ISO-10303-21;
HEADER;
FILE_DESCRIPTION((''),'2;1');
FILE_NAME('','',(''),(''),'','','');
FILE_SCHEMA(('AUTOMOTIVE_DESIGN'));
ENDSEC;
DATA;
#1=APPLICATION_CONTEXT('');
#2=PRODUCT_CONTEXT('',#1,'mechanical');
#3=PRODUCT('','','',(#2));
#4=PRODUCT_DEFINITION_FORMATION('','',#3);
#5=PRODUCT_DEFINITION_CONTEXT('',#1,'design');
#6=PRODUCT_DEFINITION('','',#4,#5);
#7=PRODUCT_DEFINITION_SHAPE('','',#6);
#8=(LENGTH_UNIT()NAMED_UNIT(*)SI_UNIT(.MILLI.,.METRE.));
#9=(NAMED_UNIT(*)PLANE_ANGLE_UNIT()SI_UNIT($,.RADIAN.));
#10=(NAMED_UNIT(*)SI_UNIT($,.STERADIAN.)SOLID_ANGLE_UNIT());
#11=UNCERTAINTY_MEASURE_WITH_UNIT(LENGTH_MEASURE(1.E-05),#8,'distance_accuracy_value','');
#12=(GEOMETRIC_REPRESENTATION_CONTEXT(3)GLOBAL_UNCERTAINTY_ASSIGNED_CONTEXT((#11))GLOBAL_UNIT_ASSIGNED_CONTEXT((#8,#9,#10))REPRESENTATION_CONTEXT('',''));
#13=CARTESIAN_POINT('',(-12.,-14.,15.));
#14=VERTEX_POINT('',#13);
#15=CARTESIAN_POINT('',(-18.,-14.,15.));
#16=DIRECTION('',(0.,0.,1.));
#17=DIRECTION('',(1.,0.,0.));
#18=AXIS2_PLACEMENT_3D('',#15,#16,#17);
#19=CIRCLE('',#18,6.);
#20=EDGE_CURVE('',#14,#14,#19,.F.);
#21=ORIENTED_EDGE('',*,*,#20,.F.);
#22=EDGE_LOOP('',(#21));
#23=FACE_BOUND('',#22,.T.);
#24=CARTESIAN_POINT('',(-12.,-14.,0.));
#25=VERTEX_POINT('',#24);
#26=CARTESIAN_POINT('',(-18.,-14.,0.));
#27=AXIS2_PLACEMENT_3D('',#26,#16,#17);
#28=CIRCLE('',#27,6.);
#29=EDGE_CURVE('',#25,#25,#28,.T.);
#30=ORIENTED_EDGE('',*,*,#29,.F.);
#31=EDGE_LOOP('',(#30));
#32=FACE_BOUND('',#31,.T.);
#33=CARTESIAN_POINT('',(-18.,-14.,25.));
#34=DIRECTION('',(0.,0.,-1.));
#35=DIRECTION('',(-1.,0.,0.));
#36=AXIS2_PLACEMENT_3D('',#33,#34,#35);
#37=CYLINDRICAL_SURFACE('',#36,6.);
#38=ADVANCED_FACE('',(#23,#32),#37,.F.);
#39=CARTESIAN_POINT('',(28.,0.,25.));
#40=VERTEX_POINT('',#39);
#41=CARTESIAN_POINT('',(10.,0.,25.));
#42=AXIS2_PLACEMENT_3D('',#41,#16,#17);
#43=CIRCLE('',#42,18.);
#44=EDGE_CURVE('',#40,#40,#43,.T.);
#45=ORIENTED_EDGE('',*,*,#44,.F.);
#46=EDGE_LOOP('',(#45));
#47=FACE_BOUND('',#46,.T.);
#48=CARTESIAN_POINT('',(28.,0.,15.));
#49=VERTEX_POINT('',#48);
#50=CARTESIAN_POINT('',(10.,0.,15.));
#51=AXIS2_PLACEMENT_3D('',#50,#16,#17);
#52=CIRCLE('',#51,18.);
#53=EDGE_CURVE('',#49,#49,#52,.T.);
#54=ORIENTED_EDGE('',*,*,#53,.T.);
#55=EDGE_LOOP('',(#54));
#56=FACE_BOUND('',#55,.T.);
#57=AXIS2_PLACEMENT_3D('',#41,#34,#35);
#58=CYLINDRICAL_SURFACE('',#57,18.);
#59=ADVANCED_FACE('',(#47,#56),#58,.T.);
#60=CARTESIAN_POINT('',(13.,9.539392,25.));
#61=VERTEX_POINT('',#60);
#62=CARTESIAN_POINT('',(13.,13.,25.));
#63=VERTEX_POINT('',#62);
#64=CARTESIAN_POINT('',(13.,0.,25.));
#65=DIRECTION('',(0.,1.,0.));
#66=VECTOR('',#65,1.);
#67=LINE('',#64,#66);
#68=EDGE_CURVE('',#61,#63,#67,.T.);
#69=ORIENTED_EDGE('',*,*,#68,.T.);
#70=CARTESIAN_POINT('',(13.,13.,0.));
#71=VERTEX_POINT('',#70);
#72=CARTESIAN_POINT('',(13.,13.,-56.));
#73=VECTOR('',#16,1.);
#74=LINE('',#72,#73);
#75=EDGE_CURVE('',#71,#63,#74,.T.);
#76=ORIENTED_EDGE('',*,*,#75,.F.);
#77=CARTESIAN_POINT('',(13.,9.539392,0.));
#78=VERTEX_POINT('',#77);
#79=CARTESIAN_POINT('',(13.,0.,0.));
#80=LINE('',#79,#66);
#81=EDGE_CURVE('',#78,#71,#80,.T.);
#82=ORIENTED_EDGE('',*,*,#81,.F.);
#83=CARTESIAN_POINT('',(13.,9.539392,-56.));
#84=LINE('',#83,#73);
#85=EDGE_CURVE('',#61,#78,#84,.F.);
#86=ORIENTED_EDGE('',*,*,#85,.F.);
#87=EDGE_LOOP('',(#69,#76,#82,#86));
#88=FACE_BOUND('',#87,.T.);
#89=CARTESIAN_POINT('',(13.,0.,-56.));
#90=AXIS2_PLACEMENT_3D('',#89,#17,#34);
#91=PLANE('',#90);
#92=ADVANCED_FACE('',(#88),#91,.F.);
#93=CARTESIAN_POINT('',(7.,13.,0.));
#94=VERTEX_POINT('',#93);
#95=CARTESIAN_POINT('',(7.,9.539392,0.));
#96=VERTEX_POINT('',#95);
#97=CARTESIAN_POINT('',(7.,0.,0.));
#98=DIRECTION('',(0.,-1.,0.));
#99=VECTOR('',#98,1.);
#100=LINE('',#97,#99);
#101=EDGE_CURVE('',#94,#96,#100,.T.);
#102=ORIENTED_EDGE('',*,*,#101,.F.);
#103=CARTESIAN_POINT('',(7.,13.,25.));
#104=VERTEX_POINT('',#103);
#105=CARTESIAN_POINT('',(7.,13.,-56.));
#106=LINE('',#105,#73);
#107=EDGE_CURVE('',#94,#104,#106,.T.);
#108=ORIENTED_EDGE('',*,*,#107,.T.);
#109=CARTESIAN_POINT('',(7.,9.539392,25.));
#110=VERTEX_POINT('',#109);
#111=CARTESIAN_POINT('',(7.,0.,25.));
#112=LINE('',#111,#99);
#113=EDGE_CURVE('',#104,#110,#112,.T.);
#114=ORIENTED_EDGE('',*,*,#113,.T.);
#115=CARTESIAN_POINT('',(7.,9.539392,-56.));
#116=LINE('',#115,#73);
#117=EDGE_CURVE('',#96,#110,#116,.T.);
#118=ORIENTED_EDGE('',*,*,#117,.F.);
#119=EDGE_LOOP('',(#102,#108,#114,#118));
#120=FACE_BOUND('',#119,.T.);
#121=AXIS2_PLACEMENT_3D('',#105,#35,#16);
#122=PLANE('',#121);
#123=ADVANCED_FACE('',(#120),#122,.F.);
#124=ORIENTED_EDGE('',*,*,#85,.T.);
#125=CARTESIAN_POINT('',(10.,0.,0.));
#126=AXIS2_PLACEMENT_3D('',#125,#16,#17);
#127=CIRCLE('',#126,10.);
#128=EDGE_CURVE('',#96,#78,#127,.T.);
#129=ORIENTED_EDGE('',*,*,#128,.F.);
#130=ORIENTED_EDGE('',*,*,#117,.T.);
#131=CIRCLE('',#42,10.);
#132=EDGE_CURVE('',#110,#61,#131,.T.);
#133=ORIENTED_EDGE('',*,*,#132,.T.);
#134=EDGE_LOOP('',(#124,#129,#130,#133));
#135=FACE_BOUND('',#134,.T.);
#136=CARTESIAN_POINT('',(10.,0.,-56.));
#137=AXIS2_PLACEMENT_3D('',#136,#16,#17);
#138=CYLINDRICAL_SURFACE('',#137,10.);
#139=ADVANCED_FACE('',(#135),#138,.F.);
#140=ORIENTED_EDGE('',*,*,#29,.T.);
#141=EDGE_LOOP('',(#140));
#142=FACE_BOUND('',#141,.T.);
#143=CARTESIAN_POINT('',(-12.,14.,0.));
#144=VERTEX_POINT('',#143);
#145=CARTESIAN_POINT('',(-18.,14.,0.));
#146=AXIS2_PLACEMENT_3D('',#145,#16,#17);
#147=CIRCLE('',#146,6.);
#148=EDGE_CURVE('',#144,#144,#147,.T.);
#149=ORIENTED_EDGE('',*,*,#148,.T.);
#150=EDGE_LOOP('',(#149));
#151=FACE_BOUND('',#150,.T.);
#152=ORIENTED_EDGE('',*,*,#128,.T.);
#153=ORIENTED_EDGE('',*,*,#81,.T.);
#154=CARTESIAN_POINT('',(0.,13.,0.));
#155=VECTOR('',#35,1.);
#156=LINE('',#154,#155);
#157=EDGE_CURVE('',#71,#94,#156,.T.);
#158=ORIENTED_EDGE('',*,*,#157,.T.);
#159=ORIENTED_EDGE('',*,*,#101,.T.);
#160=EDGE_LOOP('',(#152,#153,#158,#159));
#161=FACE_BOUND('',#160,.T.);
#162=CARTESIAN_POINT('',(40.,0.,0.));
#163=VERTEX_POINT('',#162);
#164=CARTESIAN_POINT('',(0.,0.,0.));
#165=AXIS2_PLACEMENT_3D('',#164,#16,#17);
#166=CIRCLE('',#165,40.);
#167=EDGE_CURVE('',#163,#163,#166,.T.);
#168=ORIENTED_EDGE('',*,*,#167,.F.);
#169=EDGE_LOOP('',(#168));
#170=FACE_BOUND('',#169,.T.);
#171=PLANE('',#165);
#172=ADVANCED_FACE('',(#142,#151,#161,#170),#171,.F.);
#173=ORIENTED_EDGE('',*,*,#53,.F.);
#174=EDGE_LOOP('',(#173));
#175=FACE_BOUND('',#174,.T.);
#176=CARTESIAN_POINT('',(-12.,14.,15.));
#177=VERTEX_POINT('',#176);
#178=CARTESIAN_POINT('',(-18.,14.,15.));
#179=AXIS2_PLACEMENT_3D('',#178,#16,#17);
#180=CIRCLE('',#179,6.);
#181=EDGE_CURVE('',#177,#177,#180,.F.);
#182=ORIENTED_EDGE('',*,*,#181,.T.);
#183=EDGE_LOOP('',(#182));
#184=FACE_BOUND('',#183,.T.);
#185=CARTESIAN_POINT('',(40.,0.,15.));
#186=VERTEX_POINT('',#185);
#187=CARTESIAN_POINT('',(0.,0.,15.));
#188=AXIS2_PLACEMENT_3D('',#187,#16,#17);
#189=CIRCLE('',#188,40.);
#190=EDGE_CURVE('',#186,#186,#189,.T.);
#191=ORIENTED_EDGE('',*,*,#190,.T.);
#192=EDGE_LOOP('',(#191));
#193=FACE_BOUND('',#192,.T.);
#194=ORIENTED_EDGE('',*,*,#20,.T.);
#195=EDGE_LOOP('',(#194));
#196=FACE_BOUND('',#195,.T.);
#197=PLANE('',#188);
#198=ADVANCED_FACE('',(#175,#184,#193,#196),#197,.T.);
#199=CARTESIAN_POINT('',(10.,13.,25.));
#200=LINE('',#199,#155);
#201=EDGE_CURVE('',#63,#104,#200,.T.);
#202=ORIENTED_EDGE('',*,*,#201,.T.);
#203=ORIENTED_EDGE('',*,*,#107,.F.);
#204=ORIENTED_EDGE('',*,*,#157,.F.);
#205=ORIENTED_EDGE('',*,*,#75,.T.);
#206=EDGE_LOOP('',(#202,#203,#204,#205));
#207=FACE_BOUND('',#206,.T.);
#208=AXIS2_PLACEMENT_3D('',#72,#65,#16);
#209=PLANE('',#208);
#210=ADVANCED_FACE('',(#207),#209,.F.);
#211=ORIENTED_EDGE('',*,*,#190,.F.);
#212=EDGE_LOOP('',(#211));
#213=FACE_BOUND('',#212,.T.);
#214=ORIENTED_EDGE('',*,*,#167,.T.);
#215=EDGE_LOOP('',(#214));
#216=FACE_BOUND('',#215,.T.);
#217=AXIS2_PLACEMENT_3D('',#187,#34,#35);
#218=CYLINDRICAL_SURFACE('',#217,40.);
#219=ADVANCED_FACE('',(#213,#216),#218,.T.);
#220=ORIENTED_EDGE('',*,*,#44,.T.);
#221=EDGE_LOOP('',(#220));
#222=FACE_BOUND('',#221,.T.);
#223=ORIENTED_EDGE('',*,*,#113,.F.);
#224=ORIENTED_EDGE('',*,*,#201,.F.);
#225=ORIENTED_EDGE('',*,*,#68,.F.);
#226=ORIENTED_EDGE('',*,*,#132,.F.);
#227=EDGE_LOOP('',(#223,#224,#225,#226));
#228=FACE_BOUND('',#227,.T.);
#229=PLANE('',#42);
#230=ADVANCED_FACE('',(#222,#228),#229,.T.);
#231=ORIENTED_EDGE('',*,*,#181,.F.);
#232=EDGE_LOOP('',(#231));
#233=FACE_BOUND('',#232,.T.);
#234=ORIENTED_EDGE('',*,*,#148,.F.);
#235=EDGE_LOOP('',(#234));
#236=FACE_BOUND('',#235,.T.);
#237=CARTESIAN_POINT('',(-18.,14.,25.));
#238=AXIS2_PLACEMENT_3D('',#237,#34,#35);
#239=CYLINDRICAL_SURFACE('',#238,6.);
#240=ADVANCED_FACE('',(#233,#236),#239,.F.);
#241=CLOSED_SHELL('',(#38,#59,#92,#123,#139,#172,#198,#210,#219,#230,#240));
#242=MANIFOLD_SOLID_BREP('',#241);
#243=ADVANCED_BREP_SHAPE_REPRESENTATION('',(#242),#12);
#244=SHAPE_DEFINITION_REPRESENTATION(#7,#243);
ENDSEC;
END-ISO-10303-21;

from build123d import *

# Parameters (mm, degrees)
SKETCH_1_R          = 40
EXTRUDE_1_DEPTH     = 15
SKETCH_2_R          = 18
EXTRUDE_2_DEPTH     = 10
SKETCH_3_R          = 10
CUT_EXTRUDE_1_DEPTH = 81
SKETCH_4_W          = 6
SKETCH_4_H          = 13
CUT_EXTRUDE_2_DEPTH = 81
SKETCH_5_R          = 6
CUT_EXTRUDE_3_DEPTH = 62.846584384


with BuildPart() as part:
    # 草图1 → 凸台-拉伸1 (new body)
    with BuildSketch(Plane.XY):
        Circle(SKETCH_1_R)
    extrude(amount=EXTRUDE_1_DEPTH)

    # 草图2 → 凸台-拉伸2 (add)
    with BuildSketch(Plane.XY.offset(15)):
        with Locations((10, 0)):
            Circle(SKETCH_2_R)
    extrude(amount=EXTRUDE_2_DEPTH)

    # 草图3 → 切除-拉伸1 (cut, symmetric)
    with BuildSketch(Plane.XY.offset(25)):
        with Locations((10, 0)):
            Circle(SKETCH_3_R)
    extrude(amount=CUT_EXTRUDE_1_DEPTH, both=True, mode=Mode.SUBTRACT)

    # 草图4 → 切除-拉伸2 (cut, symmetric)
    with BuildSketch(Plane.XY.offset(25)):
        with Locations((10, 6.5)):
            Rectangle(SKETCH_4_W, SKETCH_4_H)
    extrude(amount=CUT_EXTRUDE_2_DEPTH, both=True, mode=Mode.SUBTRACT)

    # 草图5 → 切除-拉伸3 (cut, through all)
    with BuildSketch(Plane.XY):
        with Locations((-18, 14)):
            Circle(SKETCH_5_R)
        with Locations((-18, -14)):
            Circle(SKETCH_5_R)
    extrude(amount=CUT_EXTRUDE_3_DEPTH, mode=Mode.SUBTRACT)


solid = part.part
